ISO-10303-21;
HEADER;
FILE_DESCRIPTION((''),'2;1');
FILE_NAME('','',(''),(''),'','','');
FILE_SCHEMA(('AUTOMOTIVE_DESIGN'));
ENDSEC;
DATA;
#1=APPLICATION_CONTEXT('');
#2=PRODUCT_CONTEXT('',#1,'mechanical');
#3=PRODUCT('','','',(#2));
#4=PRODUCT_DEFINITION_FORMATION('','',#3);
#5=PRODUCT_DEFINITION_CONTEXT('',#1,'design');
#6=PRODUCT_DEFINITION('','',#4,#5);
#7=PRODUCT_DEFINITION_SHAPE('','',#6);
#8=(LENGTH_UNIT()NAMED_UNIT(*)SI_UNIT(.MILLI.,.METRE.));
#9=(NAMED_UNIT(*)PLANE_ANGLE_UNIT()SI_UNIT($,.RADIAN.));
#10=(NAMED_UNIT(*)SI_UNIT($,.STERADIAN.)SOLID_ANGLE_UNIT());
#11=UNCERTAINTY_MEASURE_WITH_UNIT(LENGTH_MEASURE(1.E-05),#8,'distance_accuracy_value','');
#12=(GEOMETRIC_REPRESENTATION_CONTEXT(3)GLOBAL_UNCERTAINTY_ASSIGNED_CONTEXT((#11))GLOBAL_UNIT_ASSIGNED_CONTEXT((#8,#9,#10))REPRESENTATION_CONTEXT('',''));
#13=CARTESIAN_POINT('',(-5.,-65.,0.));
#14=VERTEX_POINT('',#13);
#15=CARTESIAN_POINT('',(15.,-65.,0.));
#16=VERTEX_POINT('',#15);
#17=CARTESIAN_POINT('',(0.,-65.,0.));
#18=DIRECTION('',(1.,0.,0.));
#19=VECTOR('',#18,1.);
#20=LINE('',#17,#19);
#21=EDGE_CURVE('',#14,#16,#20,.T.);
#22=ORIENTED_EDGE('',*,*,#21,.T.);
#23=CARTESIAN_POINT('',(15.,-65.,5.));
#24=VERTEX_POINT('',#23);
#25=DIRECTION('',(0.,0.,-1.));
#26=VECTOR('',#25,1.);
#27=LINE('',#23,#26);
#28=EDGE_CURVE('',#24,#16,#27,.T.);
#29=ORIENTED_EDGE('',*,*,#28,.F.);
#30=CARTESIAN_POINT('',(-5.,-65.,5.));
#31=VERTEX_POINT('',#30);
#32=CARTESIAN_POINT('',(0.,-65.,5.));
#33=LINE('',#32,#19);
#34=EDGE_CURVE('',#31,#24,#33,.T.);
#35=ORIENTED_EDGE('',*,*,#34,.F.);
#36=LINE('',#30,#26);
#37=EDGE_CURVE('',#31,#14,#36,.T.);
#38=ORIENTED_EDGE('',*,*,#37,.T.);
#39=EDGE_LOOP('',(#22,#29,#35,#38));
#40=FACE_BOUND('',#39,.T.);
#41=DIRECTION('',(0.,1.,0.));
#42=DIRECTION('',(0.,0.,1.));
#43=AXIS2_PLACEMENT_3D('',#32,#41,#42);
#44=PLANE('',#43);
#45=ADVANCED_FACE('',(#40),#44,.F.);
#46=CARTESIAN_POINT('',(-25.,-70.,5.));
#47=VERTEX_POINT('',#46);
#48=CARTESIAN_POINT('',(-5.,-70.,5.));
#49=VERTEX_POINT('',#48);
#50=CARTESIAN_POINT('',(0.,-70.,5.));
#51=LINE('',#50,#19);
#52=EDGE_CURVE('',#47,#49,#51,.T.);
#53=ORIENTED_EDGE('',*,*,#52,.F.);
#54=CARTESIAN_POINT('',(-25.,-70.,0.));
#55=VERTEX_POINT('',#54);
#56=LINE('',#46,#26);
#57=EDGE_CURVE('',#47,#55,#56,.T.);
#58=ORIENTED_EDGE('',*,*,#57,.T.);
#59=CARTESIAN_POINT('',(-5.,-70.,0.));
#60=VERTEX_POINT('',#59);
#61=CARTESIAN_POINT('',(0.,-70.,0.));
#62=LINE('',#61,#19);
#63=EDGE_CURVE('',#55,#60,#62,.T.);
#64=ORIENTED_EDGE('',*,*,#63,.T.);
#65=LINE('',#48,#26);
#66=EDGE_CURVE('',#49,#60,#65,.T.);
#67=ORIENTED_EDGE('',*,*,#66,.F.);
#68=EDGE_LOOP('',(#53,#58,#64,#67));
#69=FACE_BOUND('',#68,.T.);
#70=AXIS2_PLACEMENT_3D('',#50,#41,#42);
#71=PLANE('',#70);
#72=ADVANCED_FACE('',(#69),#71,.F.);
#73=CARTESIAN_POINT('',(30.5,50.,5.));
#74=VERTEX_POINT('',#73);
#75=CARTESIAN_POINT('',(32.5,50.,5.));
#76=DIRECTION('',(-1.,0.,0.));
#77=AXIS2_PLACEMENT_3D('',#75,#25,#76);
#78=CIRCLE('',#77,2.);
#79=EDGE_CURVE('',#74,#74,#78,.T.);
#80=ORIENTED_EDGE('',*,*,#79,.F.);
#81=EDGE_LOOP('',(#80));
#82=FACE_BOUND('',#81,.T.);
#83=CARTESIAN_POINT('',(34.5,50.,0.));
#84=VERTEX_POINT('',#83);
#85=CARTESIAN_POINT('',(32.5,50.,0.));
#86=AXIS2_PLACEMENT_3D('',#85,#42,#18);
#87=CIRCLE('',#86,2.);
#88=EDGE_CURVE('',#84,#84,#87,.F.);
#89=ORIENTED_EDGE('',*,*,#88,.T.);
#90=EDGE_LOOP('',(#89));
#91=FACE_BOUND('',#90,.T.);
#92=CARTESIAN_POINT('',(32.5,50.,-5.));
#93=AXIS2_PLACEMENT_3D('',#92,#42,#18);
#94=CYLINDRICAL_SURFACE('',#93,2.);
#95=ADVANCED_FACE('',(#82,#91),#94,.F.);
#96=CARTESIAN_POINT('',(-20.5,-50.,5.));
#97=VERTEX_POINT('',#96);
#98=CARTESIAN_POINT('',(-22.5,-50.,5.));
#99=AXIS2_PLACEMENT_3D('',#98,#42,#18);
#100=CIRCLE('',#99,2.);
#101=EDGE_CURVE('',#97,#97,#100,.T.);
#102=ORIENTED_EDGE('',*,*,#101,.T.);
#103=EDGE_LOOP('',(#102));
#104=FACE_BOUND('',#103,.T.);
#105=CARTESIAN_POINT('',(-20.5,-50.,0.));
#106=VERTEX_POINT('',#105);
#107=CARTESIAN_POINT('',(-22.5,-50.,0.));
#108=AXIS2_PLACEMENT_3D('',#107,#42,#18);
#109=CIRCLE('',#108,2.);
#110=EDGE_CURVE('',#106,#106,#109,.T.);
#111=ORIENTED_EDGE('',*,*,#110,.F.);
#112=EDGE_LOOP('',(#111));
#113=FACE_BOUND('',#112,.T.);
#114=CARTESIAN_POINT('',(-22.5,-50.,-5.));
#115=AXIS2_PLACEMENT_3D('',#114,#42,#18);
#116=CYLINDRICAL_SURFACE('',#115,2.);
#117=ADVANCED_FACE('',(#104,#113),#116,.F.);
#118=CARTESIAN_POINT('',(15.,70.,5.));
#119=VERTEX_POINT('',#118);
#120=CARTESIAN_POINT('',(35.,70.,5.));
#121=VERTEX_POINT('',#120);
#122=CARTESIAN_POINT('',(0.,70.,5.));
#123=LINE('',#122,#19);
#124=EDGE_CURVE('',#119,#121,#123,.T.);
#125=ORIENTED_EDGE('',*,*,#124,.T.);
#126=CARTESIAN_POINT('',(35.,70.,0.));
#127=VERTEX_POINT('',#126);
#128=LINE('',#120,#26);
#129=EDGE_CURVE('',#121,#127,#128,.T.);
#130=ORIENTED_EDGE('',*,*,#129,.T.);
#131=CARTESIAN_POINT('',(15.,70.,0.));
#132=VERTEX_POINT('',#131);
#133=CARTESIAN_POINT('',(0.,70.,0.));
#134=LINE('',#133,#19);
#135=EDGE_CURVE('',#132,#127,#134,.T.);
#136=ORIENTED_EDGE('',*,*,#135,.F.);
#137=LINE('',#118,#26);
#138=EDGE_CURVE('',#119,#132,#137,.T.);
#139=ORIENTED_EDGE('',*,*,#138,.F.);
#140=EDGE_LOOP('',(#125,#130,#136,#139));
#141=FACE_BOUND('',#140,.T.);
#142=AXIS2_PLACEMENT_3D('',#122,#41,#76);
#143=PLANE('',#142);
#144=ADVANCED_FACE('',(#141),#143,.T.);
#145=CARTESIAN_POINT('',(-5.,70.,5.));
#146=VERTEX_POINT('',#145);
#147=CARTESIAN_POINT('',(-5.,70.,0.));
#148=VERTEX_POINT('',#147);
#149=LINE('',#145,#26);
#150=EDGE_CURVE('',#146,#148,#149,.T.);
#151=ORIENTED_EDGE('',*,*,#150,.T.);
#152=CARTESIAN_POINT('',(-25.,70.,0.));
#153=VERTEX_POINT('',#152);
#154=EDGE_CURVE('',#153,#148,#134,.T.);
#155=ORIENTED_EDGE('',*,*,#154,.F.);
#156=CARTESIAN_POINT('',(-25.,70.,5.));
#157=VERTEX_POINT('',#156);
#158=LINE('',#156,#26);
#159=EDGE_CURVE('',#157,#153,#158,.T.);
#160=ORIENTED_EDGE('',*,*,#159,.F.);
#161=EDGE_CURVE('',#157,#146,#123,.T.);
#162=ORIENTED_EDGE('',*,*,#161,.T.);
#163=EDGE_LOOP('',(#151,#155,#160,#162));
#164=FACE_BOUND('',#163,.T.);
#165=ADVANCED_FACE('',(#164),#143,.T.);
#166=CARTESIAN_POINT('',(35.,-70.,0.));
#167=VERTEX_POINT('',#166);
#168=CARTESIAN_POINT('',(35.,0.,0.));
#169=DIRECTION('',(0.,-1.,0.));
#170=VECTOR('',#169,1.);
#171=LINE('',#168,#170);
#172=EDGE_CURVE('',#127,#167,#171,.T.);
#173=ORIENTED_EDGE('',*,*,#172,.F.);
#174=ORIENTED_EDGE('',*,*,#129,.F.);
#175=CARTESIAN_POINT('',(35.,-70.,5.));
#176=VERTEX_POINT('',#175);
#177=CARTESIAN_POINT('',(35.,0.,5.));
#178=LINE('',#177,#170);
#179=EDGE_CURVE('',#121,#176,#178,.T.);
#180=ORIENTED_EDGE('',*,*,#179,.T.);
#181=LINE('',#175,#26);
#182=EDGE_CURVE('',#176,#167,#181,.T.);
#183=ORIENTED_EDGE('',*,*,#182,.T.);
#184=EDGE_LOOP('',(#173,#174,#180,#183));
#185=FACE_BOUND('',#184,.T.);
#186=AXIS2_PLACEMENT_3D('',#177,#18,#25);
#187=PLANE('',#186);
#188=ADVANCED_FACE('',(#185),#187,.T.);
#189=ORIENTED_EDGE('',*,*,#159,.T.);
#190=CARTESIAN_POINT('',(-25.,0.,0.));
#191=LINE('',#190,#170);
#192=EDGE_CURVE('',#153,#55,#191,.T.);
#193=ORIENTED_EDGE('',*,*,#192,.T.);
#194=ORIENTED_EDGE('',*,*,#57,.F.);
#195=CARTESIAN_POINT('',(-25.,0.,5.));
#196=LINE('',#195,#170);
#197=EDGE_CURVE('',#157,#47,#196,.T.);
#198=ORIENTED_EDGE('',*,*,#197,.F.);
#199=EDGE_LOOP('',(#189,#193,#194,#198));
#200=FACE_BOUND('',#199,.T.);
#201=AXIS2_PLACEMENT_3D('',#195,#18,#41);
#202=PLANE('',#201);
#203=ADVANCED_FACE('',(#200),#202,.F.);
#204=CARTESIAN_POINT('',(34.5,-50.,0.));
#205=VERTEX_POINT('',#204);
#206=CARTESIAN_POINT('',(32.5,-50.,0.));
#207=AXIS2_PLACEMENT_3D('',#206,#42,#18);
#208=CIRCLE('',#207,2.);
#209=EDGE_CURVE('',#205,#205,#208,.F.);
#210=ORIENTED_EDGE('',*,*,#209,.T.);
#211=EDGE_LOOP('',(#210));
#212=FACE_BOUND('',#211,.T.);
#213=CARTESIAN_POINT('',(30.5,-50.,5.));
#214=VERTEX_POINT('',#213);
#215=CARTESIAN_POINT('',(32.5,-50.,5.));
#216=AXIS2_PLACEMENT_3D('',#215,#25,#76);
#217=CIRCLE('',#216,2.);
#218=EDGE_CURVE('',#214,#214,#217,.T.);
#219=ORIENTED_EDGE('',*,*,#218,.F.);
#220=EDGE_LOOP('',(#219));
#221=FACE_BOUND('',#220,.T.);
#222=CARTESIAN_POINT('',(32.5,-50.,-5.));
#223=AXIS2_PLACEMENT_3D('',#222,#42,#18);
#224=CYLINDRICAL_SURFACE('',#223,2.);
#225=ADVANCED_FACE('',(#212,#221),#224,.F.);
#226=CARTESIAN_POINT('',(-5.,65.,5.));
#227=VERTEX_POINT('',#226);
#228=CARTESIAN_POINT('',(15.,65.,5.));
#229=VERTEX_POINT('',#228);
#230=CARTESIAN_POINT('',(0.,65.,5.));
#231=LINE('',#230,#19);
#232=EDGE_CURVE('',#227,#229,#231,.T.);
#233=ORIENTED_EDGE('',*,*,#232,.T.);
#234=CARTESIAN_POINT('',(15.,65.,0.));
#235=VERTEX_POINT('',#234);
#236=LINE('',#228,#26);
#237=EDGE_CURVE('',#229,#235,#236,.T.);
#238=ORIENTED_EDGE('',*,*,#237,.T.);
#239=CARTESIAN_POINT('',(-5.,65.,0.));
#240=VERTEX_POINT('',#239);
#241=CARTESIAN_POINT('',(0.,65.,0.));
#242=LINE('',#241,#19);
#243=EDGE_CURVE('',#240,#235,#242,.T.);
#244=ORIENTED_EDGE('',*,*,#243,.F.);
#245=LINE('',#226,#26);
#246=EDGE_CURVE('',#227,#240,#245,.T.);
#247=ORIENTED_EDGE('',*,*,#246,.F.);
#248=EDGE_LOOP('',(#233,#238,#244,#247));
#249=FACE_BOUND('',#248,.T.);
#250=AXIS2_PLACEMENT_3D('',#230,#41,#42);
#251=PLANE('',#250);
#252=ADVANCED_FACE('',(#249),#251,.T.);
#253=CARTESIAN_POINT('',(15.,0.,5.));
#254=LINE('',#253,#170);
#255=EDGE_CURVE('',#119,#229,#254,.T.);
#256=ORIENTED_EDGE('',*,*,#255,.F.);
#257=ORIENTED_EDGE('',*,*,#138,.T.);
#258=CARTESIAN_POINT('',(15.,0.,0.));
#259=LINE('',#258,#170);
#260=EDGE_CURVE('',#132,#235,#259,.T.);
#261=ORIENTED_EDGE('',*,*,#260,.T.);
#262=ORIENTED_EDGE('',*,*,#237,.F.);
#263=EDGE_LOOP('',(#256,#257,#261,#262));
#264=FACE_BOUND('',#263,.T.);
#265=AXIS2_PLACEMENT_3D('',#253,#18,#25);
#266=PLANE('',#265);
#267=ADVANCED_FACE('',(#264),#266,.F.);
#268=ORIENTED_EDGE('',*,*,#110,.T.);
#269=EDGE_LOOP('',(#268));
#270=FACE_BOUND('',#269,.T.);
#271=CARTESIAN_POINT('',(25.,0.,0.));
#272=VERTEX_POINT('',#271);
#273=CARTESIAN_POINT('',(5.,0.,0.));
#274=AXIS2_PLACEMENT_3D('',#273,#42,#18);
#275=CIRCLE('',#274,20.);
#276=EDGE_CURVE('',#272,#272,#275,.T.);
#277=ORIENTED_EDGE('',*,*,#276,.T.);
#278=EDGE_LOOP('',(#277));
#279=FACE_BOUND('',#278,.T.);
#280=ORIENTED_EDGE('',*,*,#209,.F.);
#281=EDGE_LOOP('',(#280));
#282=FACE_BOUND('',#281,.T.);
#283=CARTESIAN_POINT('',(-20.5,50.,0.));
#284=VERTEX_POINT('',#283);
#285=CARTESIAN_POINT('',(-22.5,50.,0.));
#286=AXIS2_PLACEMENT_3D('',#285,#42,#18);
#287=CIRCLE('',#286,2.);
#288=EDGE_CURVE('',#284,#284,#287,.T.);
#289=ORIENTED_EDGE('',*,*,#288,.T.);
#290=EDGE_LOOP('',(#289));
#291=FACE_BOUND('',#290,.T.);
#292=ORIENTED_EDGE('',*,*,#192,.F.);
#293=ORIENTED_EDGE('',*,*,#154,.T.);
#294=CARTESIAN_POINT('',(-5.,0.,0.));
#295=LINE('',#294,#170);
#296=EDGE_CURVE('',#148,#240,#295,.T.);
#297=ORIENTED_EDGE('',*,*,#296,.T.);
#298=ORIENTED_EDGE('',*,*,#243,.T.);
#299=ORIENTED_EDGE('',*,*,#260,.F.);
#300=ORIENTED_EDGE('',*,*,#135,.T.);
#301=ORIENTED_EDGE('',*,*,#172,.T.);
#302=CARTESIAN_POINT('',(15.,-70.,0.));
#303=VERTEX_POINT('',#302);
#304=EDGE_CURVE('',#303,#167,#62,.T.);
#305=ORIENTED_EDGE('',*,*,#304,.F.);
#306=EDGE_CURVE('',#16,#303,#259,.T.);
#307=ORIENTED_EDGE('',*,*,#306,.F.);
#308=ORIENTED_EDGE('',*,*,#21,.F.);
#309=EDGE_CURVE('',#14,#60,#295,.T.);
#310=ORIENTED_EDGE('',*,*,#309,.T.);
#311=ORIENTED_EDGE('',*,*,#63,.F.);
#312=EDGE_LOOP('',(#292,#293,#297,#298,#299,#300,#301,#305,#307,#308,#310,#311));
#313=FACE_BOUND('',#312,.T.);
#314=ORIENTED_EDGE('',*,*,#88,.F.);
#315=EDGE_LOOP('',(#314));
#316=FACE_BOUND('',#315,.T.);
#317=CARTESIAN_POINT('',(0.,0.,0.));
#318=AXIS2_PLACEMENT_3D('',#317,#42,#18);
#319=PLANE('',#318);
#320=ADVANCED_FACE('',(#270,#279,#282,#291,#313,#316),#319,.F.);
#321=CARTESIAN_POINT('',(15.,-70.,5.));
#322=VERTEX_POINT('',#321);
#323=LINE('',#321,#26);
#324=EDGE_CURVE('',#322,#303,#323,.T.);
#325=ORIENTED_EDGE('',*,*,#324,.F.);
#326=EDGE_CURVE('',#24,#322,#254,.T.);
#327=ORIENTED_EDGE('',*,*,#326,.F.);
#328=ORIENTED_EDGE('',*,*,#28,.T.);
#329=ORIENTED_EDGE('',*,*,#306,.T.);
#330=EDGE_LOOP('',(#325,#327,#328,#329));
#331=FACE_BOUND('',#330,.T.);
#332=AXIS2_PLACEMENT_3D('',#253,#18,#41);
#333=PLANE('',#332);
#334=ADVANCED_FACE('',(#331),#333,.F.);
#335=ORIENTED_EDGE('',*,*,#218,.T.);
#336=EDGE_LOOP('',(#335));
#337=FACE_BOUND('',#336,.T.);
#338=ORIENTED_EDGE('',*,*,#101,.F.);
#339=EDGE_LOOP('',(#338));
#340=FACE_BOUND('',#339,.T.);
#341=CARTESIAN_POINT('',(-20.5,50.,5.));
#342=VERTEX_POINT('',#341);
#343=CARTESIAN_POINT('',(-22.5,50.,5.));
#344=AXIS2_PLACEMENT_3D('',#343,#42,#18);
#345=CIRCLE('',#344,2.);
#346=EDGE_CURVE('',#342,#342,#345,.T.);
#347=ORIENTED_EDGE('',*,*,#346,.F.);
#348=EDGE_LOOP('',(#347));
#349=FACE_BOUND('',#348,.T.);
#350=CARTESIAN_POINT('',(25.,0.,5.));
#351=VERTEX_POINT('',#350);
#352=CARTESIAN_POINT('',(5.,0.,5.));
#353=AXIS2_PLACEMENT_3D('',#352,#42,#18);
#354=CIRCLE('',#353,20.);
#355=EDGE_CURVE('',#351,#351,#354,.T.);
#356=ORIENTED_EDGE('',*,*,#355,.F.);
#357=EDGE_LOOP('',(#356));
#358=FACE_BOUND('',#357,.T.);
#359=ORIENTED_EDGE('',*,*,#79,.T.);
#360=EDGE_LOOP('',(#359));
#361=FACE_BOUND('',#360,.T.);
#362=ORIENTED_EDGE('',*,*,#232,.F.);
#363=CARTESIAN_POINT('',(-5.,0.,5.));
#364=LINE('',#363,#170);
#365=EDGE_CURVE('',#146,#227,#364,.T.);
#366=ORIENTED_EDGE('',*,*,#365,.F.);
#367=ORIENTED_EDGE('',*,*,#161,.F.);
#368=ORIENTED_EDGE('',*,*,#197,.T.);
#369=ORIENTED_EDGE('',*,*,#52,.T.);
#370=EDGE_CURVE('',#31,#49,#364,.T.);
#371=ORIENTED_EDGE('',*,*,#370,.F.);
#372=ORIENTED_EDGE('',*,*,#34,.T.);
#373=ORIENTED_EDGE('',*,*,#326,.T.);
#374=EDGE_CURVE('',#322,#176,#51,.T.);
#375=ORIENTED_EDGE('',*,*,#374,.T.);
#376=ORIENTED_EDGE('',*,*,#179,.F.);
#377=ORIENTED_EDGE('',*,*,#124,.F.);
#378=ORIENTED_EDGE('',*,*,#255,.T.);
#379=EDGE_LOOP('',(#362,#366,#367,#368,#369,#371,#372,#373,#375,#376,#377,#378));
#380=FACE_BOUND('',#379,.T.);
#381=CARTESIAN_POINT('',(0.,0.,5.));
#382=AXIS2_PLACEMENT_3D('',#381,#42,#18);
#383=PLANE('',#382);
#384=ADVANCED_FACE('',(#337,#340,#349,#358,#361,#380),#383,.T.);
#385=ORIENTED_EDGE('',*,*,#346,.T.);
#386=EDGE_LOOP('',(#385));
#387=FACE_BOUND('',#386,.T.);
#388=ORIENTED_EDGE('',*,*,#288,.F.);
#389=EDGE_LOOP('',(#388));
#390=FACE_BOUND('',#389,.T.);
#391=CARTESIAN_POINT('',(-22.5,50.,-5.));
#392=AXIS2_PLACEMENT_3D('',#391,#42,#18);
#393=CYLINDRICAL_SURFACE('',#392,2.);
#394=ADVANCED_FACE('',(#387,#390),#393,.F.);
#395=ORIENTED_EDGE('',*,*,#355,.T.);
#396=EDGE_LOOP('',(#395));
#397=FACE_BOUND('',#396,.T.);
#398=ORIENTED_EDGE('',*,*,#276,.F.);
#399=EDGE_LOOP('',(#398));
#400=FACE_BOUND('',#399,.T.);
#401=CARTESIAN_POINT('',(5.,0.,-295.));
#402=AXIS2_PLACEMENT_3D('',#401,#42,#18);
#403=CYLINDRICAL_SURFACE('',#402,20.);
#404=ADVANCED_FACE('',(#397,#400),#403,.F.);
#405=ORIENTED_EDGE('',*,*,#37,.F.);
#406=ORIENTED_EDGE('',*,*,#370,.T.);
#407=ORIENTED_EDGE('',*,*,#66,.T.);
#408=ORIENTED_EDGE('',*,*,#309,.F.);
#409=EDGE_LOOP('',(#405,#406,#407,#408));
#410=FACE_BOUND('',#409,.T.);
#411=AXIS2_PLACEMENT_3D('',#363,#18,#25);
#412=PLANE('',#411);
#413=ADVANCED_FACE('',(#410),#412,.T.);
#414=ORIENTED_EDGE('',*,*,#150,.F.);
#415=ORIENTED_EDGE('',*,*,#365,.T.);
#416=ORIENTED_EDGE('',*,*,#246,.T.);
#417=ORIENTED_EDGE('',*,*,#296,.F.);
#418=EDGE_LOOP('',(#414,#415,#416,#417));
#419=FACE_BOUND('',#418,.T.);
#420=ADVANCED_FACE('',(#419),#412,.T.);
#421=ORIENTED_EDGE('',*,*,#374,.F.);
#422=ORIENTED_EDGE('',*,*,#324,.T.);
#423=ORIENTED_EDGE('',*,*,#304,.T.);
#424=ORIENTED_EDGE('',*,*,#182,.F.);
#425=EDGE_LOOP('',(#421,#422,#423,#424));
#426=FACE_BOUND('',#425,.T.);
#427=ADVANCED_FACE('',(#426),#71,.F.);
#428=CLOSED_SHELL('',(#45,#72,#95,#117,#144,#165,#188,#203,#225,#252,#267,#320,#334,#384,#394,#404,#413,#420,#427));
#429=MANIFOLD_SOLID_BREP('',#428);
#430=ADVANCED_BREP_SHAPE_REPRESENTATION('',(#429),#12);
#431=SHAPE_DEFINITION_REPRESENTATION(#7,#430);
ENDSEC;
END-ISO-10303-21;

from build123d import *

# Parameters (mm, degrees)
BOSS_EXTRUDE1_DEPTH = 5
SKETCH3_R           = 2
CUT_EXTRUDE1_DEPTH  = 10
SKETCH4_R           = 20
CUT_EXTRUDE2_DEPTH  = 300


with BuildPart() as part:
    # Sketch2 → Boss-Extrude1 (new body)
    with BuildSketch(Plane.XY):
        Polygon((-5, 70), (-25, 70), (-25, -70), (-5, -70), (-5, -65), (15, -65), (15, -70), (35, -70), (35, 70), (15, 70), (15, 65), (-5, 65), align=None)
    extrude(amount=BOSS_EXTRUDE1_DEPTH)

    # Sketch3 → Cut-Extrude1 (cut)
    with BuildSketch(Plane.XY.offset(5)):
        with Locations((-22.5, 50)):
            Circle(SKETCH3_R)
        with Locations((-22.5, -50)):
            Circle(SKETCH3_R)
    cut_extrude1 = extrude(amount=-CUT_EXTRUDE1_DEPTH, mode=Mode.SUBTRACT)

    # Mirror1: Cut-Extrude1 across plane
    add(cut_extrude1.mirror(Plane.ZY.offset(-5)), mode=Mode.SUBTRACT)

    # Sketch4 → Cut-Extrude2 (cut)
    with BuildSketch(Plane.XY.offset(5)):
        with Locations((5, 0)):
            Circle(SKETCH4_R)
    extrude(amount=-CUT_EXTRUDE2_DEPTH, mode=Mode.SUBTRACT)


solid = part.part
